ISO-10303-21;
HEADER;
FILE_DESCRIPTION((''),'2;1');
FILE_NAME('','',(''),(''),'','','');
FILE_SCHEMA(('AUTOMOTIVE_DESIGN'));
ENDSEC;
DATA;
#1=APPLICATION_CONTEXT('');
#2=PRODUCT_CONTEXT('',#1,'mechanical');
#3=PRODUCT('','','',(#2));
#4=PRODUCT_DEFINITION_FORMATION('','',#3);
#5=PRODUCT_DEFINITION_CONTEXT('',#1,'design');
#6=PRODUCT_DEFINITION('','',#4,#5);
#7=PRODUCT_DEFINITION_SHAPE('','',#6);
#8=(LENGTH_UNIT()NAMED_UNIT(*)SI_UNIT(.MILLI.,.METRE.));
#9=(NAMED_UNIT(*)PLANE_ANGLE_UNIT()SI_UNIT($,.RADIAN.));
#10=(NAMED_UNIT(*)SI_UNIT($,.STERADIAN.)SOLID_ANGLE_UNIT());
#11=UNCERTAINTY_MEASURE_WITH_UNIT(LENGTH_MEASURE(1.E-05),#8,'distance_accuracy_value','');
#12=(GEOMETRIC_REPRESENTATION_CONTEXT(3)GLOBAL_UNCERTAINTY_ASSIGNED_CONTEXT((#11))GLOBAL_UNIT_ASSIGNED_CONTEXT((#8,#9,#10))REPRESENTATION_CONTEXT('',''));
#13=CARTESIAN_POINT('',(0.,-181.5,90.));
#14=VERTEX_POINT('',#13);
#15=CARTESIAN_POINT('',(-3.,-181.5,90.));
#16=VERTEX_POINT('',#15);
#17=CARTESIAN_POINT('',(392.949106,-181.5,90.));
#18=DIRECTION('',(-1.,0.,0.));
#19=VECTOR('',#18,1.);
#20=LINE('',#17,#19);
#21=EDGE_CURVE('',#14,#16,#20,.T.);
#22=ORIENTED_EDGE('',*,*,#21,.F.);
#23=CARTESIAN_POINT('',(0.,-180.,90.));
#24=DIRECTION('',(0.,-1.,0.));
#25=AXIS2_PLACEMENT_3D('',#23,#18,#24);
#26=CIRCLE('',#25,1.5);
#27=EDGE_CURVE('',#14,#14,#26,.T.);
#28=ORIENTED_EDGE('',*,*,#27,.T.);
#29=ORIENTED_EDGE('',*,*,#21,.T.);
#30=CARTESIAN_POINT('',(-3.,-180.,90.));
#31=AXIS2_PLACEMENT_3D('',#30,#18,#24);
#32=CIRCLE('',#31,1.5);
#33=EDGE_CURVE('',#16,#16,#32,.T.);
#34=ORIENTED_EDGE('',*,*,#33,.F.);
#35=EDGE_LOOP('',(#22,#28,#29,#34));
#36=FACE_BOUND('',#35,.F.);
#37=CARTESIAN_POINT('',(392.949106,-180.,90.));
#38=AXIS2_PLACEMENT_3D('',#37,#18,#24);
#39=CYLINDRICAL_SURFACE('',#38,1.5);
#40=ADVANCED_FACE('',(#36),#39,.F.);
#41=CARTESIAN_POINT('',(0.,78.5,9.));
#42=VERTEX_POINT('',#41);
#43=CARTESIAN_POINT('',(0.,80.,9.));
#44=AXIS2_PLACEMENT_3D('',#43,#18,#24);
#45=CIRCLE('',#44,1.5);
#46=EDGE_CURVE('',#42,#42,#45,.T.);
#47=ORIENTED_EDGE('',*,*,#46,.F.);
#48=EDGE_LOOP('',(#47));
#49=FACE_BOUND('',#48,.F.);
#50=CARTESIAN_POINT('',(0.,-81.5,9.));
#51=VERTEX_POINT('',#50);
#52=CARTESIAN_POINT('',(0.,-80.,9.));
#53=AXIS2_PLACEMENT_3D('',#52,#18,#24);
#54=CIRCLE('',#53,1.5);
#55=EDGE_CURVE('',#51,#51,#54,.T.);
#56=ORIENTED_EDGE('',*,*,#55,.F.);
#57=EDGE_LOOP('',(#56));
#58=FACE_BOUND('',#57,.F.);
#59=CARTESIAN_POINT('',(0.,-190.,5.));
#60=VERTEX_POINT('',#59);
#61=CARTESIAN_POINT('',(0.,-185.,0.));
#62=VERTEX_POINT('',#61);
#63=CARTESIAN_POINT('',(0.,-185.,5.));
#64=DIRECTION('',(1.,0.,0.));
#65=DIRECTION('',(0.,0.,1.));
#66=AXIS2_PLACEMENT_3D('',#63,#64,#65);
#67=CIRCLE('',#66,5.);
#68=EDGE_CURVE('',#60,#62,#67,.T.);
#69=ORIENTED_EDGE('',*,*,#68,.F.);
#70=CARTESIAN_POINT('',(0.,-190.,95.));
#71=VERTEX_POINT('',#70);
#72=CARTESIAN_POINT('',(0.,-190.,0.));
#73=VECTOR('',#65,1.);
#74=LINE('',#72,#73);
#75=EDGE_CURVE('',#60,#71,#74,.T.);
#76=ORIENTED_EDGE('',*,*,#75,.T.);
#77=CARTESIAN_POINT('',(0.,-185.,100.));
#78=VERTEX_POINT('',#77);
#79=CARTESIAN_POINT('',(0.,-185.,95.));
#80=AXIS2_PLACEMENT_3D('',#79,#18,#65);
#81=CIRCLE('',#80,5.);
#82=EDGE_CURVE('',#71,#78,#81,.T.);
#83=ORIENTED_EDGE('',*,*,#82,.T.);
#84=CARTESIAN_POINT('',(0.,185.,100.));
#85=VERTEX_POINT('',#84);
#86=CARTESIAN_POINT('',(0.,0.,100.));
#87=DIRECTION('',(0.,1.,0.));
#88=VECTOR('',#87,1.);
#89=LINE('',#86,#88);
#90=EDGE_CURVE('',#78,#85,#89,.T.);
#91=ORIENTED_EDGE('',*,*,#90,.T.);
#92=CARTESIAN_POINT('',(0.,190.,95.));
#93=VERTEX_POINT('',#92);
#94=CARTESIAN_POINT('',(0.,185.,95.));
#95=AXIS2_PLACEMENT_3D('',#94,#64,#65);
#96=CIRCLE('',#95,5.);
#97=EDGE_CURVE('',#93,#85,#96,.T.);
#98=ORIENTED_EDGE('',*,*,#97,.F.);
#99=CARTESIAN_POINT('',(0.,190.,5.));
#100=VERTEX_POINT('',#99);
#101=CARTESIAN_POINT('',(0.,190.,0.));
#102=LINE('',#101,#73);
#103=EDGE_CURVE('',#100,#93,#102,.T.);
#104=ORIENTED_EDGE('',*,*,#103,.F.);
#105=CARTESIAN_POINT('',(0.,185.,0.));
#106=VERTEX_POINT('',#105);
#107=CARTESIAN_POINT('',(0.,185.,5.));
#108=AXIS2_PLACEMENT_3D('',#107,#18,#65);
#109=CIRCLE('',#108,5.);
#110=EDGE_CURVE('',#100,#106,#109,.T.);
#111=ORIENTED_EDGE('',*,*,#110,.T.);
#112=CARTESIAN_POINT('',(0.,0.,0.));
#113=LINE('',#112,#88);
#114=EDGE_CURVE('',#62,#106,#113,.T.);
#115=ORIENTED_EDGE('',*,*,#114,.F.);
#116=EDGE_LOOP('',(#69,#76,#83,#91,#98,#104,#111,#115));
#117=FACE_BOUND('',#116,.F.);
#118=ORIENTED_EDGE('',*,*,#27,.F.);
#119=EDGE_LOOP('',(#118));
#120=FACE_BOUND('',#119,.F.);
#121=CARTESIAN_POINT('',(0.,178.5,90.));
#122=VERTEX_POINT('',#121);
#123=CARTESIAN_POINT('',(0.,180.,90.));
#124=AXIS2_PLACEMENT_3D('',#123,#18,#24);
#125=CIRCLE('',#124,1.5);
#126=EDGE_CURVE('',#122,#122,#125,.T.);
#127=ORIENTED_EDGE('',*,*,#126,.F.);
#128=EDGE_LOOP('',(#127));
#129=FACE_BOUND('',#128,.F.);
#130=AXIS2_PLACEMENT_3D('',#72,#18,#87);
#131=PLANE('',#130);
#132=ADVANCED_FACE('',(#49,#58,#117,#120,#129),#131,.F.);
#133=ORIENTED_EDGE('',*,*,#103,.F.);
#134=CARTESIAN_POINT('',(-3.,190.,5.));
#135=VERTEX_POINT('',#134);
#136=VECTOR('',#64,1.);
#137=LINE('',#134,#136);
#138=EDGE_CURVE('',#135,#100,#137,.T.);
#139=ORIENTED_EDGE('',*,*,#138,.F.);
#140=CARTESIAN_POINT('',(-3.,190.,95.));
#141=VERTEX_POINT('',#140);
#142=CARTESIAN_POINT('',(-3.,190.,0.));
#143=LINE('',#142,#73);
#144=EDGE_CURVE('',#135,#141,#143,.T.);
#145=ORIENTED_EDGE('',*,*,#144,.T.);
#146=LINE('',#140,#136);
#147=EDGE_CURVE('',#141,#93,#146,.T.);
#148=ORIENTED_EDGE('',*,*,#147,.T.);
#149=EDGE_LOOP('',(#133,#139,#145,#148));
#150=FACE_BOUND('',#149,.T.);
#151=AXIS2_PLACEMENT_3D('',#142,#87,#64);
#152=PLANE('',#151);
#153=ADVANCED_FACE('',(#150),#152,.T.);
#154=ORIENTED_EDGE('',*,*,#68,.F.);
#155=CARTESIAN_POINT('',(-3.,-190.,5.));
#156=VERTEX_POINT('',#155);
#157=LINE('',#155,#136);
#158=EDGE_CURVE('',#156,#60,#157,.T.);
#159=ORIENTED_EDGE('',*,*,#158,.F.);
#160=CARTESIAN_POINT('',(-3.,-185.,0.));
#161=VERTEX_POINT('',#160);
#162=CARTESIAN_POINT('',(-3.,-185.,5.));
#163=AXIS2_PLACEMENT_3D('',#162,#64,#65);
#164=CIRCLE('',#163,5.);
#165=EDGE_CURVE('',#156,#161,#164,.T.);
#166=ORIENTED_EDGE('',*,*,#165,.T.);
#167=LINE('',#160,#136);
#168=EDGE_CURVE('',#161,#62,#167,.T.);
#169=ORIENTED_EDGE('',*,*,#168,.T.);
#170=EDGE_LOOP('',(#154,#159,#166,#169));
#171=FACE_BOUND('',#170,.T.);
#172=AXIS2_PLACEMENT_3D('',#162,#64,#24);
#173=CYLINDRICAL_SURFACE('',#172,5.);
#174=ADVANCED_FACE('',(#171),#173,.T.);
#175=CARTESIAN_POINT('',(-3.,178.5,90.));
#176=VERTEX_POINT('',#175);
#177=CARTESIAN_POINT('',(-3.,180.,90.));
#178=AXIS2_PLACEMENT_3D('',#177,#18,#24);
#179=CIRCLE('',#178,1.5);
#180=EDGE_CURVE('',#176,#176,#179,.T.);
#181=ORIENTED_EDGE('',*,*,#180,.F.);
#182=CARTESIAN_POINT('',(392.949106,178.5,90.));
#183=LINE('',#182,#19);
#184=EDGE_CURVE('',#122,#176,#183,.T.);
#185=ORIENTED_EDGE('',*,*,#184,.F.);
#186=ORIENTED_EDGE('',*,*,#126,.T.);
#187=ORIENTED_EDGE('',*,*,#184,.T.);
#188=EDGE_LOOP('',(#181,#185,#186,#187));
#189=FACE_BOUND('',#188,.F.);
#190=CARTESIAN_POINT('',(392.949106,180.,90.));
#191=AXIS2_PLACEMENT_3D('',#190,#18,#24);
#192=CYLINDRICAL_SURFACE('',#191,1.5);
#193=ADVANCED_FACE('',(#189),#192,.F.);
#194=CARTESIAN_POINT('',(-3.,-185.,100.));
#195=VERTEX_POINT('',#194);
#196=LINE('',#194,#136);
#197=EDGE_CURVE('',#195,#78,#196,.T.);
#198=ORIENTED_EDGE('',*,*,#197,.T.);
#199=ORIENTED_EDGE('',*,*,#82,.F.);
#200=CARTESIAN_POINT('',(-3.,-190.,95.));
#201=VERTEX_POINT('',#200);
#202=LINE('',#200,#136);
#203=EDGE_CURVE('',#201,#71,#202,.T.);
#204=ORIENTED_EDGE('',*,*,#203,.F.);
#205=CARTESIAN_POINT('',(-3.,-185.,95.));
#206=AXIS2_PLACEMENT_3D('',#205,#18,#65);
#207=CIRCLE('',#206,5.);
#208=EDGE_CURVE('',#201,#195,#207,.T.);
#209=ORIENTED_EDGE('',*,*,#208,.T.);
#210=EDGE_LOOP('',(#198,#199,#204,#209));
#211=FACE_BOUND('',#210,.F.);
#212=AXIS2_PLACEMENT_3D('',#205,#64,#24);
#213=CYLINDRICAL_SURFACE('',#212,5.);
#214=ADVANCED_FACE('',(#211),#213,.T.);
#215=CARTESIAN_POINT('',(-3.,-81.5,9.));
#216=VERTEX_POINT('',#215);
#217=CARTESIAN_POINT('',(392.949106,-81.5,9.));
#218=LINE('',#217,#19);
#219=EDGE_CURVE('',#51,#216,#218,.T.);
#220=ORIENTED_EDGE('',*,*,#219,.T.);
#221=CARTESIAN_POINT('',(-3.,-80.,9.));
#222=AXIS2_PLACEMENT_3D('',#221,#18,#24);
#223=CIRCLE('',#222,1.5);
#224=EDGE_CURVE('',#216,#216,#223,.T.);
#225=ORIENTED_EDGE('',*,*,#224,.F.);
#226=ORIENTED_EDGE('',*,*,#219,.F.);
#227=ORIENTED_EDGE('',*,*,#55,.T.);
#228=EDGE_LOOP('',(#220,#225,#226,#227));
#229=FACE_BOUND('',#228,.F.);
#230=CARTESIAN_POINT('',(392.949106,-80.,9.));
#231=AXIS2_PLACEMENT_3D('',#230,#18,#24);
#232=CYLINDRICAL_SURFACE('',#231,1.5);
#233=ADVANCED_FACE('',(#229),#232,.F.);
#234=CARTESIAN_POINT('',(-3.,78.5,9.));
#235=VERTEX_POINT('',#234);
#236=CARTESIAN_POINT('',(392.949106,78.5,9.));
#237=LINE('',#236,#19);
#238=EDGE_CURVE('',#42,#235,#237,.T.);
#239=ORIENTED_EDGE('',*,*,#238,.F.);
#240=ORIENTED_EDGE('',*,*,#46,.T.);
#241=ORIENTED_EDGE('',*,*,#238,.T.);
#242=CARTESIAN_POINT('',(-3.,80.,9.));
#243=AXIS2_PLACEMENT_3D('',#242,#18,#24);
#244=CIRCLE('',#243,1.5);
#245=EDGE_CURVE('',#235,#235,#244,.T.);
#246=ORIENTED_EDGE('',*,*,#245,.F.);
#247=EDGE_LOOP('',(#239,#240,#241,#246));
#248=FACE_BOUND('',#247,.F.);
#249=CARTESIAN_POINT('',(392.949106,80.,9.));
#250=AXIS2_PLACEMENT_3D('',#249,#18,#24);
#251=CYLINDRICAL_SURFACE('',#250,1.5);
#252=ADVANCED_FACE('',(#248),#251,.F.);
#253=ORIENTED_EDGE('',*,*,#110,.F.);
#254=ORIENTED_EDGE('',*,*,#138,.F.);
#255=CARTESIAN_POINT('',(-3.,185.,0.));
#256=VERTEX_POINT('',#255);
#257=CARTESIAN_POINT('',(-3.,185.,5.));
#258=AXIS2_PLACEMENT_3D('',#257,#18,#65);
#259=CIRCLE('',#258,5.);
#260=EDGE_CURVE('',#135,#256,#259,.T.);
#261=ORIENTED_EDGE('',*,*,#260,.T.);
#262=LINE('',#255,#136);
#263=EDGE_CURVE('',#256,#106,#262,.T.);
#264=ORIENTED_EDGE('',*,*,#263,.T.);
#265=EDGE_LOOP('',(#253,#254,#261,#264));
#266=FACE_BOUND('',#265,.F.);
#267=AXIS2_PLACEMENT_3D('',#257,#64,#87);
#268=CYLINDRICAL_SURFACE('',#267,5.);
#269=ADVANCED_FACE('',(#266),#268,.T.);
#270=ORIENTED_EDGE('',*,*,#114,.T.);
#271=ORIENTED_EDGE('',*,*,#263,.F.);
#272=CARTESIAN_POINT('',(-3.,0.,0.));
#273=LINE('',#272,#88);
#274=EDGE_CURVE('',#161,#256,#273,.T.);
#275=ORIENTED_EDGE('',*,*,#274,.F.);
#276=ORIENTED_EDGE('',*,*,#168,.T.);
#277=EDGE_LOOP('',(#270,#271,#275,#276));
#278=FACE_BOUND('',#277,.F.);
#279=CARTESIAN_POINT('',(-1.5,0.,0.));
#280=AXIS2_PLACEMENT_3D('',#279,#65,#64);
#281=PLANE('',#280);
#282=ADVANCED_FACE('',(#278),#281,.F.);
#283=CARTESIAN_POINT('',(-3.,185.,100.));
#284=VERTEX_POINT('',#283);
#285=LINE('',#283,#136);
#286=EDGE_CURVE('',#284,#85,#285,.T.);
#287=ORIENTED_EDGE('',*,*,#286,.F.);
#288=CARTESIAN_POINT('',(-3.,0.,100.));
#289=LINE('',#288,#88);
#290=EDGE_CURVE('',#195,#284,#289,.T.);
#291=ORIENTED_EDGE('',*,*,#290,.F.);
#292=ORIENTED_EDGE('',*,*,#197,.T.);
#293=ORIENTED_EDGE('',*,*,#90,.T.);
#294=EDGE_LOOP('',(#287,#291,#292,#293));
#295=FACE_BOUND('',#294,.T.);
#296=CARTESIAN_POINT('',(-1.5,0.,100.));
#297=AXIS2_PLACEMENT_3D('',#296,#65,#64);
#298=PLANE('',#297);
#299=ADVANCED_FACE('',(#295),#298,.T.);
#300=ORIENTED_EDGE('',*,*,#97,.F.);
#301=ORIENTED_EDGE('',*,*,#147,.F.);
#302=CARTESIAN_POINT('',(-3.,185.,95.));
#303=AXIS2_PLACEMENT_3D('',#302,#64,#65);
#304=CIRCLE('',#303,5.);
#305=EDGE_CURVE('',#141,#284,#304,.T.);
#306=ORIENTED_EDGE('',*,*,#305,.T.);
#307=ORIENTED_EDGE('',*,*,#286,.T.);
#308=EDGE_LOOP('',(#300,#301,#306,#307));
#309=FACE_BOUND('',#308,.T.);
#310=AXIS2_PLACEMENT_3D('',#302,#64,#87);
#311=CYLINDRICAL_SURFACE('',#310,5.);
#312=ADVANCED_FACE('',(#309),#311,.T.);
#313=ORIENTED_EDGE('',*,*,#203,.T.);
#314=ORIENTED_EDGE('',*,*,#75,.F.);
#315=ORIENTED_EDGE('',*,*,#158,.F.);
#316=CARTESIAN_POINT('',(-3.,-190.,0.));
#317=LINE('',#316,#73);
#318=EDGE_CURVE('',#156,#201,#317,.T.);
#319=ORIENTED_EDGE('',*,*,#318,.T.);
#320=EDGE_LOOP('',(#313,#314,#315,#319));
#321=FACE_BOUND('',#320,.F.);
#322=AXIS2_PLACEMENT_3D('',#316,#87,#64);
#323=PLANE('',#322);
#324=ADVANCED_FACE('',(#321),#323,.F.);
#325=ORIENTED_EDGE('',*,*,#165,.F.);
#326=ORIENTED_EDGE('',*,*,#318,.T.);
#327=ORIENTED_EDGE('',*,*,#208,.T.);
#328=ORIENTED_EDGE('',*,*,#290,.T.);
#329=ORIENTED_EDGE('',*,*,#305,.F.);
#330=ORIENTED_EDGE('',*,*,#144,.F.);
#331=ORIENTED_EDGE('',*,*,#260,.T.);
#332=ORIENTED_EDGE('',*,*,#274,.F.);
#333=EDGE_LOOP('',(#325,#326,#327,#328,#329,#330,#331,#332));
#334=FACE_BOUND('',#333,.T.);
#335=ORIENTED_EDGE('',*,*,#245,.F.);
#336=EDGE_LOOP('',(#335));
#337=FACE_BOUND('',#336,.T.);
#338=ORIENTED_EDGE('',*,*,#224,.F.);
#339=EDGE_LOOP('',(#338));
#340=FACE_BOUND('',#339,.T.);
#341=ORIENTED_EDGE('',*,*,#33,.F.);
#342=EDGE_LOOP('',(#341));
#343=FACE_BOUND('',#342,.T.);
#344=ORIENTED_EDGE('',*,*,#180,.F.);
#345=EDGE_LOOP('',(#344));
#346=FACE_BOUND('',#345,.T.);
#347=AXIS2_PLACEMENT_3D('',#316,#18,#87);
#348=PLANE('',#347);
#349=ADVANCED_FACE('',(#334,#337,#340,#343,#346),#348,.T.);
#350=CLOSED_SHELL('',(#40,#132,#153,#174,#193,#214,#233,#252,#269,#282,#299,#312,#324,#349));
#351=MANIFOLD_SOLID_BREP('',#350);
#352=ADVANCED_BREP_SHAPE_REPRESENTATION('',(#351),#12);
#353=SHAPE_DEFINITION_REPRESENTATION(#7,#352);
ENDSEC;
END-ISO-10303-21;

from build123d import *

# Parameters (mm, degrees)
F0_W     = 3
F0_H     = 380
F1_DEPTH = 100
F2_R     = 5
F4_D     = 3


with BuildPart() as f1:
    # F0 (on Top) → F1 (new body)
    with BuildSketch(Plane.XY):
        with Locations((-1.5, 0)):
            Rectangle(F0_W, F0_H)
    extrude(amount=F1_DEPTH)

    # F2
    f2_edges = [f1.edges().sort_by_distance(p)[0] for p in [
        (-1.5, -190, 100),
        (-1.5, -190, 0),
        (-1.5, 190, 0),
        (-1.5, 190, 100),
    ]]
    fillet(f2_edges, radius=F2_R)

    # F4 (through all)
    with Locations(Plane.YZ):
        with Locations((180, 90), (80, 9), (-80, 9), (-180, 90)):
            Hole(F4_D / 2)


solid = f1.part
